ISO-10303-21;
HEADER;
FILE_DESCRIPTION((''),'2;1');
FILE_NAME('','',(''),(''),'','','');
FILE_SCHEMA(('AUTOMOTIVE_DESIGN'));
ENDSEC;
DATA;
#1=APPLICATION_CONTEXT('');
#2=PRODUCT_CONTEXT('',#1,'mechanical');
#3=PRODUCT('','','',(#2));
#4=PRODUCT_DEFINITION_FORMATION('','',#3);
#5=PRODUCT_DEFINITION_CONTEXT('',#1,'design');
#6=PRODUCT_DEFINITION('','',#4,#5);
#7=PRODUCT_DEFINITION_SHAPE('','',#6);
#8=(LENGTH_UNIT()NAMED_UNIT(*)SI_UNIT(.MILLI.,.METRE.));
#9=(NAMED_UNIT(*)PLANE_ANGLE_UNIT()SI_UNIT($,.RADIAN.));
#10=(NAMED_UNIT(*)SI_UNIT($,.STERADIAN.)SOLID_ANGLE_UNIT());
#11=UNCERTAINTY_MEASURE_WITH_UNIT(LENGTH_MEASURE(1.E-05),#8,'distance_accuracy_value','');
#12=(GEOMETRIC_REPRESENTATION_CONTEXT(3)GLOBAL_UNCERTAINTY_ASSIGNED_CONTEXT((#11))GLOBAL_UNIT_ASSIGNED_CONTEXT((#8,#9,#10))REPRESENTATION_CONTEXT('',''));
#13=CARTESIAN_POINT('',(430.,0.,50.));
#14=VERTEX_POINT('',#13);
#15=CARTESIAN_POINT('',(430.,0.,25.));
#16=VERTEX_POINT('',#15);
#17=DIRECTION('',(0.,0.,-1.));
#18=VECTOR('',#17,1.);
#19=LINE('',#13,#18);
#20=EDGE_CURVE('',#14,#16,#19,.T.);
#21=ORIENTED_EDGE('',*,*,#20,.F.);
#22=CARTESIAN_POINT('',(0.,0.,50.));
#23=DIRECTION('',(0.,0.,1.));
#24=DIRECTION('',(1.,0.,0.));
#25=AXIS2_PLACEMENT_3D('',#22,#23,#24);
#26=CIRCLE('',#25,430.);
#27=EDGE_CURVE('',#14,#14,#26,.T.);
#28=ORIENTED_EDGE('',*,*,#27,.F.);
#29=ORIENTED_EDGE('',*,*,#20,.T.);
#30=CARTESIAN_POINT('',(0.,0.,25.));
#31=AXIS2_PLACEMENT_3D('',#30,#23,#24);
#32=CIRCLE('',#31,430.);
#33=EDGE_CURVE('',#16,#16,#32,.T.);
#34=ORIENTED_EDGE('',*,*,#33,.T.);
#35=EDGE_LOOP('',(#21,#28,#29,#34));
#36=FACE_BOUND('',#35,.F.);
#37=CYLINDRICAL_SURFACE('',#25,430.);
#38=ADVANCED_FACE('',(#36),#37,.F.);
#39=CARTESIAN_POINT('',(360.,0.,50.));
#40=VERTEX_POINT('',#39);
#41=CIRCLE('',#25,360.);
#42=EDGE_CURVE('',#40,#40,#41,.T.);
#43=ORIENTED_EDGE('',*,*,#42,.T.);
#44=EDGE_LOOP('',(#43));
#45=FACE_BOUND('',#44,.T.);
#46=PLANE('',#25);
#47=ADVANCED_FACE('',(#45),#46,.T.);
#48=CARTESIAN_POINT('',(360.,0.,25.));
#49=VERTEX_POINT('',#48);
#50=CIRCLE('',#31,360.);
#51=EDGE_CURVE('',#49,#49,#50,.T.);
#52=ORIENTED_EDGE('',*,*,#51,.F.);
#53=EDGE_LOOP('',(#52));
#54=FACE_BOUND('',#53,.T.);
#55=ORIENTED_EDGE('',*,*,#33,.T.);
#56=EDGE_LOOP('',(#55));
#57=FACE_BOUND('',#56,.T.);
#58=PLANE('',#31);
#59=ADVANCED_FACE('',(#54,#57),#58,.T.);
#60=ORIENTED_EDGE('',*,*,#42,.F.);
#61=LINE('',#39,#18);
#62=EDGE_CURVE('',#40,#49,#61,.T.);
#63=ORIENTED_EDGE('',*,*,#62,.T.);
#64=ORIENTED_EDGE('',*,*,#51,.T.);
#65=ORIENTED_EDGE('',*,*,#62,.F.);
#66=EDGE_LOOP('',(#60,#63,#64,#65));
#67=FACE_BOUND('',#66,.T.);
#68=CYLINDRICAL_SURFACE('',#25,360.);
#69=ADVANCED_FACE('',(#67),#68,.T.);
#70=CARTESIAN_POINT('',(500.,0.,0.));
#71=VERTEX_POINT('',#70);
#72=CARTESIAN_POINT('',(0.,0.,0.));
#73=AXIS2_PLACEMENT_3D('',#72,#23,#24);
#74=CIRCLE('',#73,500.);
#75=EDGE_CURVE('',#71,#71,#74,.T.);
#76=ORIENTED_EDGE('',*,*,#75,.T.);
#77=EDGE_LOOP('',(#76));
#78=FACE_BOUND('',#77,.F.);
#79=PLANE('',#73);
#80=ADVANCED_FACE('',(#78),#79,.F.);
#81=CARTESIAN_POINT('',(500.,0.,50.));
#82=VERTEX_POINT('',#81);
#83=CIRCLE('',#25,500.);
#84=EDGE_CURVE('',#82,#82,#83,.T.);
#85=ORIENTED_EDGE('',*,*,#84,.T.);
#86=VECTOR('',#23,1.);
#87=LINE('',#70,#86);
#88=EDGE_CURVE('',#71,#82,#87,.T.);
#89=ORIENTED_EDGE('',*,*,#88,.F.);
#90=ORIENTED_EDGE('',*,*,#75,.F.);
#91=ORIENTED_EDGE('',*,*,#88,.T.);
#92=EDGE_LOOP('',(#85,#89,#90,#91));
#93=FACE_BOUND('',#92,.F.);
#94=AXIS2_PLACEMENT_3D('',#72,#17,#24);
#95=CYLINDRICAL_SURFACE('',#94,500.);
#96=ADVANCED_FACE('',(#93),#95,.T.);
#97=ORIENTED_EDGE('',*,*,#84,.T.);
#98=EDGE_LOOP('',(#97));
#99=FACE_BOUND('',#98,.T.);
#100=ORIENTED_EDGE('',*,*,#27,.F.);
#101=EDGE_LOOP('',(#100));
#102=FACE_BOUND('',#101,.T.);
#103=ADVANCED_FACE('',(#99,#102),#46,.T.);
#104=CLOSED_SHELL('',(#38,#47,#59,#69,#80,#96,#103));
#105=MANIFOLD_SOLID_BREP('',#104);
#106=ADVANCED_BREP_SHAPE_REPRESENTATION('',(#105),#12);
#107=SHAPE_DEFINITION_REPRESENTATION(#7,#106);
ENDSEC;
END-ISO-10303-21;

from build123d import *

# Parameters (mm, degrees)
F0_R     = 500
F1_DEPTH = 50
F2_R     = 430
F2_R_2   = 360
F3_DEPTH = 25


with BuildPart() as f1:
    # F0 (on Top) → F1 (new body)
    with BuildSketch(Plane.XY):
        Circle(F0_R)
    extrude(amount=F1_DEPTH)

    # F2 (on face) → F3 (cut)
    with BuildSketch(Plane.XY.offset(50)):
        Circle(F2_R)
        Circle(F2_R_2, mode=Mode.SUBTRACT)
    extrude(amount=-F3_DEPTH, mode=Mode.SUBTRACT)


solid = f1.part
